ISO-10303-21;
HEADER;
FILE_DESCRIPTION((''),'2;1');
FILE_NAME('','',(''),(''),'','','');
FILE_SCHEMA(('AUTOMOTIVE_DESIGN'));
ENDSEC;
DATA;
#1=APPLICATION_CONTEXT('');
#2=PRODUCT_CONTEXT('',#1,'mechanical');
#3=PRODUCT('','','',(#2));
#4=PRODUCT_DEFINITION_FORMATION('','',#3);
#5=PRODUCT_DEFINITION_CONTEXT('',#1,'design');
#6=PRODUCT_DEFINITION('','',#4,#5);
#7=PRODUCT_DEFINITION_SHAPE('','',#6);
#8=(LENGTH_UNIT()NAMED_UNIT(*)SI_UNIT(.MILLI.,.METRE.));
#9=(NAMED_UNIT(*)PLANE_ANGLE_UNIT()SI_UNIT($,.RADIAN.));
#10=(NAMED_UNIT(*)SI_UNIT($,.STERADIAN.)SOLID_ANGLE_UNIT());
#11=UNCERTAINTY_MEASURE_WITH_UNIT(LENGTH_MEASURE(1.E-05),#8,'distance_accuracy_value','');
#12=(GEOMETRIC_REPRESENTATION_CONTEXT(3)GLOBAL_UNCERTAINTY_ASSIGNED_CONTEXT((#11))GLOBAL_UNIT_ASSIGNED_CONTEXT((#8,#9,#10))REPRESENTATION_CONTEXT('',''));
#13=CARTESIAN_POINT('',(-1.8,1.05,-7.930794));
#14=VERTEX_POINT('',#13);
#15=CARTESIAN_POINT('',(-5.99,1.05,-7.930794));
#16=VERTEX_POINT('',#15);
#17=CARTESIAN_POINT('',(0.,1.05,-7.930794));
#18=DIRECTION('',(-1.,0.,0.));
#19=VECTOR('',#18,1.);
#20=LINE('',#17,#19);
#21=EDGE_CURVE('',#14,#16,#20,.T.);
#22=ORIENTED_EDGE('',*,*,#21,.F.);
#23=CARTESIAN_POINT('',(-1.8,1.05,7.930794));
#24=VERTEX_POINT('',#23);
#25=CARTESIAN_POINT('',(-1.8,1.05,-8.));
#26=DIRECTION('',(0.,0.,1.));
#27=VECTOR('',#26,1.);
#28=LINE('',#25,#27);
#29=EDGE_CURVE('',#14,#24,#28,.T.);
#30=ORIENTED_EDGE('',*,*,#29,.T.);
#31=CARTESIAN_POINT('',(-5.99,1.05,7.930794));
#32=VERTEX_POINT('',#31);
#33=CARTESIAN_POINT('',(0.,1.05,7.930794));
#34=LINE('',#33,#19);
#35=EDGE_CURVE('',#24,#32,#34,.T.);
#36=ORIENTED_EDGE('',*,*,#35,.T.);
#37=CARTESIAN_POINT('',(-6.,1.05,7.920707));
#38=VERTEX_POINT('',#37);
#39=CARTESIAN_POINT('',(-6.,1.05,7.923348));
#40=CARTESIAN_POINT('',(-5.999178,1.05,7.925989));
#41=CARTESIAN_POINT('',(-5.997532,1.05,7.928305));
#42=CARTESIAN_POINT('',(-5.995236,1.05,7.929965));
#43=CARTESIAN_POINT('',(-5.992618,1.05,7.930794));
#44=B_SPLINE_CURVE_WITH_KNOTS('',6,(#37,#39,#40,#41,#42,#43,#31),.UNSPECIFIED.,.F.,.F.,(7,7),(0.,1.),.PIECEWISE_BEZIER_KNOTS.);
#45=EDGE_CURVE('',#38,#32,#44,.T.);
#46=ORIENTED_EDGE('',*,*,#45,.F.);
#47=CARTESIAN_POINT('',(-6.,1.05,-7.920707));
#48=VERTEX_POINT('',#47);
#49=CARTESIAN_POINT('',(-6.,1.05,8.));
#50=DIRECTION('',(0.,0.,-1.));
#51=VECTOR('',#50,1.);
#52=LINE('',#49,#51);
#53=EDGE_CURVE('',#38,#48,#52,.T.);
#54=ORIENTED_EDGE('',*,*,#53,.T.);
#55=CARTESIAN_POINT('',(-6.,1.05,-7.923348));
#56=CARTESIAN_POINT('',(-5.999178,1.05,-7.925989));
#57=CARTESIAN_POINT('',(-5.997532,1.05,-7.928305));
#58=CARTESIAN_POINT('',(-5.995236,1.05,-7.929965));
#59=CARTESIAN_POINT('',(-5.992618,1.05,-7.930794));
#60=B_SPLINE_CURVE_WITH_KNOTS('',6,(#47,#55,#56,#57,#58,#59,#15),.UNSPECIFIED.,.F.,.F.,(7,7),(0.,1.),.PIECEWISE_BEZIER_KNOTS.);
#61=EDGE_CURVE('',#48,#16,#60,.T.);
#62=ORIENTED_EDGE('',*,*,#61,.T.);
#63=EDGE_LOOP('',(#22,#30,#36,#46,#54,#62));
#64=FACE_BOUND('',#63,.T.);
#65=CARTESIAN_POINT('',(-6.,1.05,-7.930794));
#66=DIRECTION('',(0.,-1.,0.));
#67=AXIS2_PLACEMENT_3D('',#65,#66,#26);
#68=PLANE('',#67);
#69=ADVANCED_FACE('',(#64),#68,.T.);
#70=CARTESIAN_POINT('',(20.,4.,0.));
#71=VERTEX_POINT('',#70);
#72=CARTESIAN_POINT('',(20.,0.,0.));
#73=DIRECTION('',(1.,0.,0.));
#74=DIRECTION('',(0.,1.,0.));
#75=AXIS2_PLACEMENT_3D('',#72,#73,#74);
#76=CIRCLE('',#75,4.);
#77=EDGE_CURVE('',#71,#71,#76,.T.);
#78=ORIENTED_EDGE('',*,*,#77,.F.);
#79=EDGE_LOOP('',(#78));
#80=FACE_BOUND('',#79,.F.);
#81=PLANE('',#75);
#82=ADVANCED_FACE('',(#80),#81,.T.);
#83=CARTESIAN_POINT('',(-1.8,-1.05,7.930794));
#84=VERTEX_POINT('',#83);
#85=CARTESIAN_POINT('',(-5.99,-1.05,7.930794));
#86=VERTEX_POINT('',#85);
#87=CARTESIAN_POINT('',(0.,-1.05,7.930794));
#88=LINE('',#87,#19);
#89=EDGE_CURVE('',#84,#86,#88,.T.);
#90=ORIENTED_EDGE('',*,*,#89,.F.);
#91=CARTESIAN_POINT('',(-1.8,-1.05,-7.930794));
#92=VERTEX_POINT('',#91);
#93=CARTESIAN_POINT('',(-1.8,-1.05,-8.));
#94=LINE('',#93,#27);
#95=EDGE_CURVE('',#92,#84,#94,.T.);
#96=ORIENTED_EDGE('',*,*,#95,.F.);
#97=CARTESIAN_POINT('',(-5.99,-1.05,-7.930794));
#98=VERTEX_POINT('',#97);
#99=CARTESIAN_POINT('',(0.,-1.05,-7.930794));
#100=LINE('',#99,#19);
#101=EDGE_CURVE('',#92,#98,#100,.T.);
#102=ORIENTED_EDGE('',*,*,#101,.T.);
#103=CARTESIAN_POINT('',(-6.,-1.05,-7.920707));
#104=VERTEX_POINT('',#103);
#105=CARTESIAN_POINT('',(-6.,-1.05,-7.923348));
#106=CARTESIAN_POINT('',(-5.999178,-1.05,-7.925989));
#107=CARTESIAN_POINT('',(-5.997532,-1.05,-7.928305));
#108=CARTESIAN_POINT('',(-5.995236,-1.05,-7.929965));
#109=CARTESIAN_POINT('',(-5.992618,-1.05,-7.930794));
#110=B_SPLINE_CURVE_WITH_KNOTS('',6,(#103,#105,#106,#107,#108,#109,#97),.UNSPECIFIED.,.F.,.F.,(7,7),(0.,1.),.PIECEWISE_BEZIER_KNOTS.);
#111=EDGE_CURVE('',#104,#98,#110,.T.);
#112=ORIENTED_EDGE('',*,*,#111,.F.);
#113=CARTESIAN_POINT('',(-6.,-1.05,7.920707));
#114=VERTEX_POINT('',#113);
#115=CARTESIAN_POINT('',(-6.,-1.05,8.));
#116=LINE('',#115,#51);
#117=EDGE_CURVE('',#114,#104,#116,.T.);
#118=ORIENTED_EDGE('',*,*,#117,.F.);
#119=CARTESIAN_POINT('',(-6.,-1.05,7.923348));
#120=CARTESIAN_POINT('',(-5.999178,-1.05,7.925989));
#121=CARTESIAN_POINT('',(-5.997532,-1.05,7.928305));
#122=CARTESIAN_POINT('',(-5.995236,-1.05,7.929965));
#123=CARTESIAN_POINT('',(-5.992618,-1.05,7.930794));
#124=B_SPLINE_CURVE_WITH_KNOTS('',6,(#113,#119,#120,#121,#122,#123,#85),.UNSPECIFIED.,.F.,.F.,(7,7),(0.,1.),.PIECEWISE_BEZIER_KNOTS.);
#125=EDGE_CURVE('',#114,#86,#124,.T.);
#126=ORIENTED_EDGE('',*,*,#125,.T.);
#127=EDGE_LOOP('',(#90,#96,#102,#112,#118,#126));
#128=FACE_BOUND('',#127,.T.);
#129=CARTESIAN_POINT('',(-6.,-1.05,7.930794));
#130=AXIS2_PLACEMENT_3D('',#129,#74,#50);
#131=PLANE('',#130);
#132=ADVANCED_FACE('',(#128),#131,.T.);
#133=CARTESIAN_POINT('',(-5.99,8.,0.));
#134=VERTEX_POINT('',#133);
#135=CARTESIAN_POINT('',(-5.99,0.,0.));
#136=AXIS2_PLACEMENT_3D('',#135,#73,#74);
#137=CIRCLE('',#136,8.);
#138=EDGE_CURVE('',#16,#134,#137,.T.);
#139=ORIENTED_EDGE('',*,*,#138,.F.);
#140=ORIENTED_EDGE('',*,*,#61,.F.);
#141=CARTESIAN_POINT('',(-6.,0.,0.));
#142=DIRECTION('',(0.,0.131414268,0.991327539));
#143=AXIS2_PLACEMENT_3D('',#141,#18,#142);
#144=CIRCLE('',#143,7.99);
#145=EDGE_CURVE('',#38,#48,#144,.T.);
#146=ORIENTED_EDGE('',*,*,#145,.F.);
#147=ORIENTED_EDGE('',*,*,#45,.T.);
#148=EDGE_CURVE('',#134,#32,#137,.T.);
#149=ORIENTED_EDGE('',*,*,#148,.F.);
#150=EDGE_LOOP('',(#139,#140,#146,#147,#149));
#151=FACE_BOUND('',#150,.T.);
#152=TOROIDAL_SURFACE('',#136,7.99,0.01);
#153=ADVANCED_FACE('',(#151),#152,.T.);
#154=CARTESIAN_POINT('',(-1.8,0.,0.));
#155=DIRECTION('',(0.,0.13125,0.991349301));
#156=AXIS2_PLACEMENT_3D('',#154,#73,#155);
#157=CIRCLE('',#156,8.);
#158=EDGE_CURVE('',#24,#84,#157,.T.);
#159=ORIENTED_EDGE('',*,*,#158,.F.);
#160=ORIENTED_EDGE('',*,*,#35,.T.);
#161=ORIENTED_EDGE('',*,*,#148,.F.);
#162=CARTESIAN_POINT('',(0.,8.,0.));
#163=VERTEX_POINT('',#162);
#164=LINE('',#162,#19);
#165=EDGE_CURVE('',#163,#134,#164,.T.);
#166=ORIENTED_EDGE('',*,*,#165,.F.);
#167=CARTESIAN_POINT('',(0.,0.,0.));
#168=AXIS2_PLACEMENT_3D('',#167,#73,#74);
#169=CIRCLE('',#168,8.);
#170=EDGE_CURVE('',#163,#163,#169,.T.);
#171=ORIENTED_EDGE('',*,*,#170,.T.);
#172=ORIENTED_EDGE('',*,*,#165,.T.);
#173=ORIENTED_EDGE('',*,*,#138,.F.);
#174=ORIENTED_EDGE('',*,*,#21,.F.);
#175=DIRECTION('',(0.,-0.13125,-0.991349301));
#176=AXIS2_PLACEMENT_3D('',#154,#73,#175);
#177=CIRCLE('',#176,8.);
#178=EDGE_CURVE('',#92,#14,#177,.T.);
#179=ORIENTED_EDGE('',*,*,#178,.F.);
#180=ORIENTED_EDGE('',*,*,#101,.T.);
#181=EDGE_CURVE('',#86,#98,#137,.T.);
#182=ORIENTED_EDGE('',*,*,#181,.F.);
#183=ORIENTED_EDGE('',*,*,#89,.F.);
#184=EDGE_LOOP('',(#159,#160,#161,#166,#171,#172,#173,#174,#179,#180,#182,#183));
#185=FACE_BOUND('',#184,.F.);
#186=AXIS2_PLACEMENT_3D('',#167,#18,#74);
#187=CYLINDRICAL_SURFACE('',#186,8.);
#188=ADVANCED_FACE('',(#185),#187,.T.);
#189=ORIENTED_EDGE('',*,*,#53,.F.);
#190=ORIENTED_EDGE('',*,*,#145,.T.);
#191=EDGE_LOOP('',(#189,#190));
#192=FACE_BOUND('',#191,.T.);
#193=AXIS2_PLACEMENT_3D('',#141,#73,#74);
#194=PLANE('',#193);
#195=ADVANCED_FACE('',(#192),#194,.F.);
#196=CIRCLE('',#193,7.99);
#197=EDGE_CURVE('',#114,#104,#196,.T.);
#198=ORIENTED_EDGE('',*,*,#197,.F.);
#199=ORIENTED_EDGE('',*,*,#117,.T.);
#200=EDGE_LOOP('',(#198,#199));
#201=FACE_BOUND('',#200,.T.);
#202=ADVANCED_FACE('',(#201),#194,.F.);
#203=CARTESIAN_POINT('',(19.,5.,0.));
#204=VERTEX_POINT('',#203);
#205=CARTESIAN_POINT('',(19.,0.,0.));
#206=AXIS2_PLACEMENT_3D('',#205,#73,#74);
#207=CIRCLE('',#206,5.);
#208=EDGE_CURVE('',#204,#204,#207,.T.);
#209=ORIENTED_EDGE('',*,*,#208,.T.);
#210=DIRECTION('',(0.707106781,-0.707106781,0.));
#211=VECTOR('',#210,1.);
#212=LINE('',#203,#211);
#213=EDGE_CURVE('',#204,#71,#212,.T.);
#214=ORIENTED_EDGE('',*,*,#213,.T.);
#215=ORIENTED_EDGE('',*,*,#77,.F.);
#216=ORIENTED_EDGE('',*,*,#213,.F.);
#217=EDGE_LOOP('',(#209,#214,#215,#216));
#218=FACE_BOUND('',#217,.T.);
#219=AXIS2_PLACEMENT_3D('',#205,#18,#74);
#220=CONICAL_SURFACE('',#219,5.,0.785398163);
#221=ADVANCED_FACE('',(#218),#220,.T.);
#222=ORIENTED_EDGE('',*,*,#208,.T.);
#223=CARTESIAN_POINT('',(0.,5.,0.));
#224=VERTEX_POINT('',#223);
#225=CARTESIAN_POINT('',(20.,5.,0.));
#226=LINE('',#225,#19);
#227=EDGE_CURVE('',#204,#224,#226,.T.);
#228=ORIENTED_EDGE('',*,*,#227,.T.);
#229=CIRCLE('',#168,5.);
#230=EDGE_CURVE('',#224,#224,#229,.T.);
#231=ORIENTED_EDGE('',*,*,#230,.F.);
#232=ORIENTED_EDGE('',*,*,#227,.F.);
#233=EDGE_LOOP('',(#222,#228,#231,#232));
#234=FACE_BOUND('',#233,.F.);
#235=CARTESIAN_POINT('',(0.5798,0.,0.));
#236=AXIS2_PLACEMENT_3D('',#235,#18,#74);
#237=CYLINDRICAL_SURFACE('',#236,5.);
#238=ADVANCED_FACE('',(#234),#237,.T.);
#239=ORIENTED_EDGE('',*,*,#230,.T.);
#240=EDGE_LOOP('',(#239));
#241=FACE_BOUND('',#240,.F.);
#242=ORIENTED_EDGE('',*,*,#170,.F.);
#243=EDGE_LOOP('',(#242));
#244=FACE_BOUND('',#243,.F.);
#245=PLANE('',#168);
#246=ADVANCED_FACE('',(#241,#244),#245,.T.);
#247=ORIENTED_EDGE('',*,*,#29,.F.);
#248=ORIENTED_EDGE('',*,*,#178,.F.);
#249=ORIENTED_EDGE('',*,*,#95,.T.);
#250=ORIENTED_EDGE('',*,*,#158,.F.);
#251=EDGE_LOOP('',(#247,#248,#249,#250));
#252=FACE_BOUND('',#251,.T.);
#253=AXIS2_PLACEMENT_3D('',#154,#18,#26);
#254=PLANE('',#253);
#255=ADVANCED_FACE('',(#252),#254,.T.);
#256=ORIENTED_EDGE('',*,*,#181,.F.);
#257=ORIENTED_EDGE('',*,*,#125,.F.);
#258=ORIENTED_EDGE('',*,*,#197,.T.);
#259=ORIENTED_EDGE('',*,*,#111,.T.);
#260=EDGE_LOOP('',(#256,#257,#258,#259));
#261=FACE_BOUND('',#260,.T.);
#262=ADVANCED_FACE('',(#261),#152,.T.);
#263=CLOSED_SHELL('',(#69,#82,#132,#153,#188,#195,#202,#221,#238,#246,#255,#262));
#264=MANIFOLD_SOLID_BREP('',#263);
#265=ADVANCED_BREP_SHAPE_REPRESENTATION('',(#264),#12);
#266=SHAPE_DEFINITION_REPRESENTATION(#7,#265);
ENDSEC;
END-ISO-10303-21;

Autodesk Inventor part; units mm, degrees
ref_plane "YZ Plane" through (0, 0, 0) normal (1, 0, 0) x (0, 1, 0)
ref_plane "XZ Plane" through (0, 0, 0) normal (0, 1, 0) x (-1, 0, 0)
sketch "Эскиз1" plane through (0, 0, 0) normal (0, 0, 1) x (1, 0, 0)
  line L0 (-6, 0) -> (20, 0)
  line L1 (20, 0) -> (20, 5)
  line L2 (20, 5) -> (1.5, 5)
  line L3 (1.5, 5) -> (0.5798, 5)
  line L4 (0.5798, 5) -> (0, 5)
  line L5 (0, 5) -> (0, 8)
  line L6 (-11.2, 0) -> (25.2, 0) projected
  line L7 (0, -1.6) -> (0, 9.6) projected
  line L8 (-6, 0) -> (-6, 8)
  line L9 (0, 8) -> (-6, 8)
  dimension "d0" = 20
  dimension "d1" = 18.5
  dimension "d2" = 0.9202
  dimension "d3" = 6
  dimension "d4" = 10
  dimension "d5" = 10
  dimension "d9" = 16
  dimension "d10" = 0
revolve "Базовый элемент" add sketch "Эскиз1" angle 360 about axis through (-6, 0, 0) along (1, 0, 0)
sketch "Эскиз2" plane through (-6, 0, 0) normal (-1, 0, 0) x (0, 0, 1)
  circle A0 centre (0, 0) radius 8 projected
  line L0 (0, 0) -> (0, 8) projected
  line L1 (-8, 1.05) -> (8, 1.05)
  line L2 (8, 1.05) -> (8, -1.05)
  line L3 (8, -1.05) -> (-8, -1.05)
  line L4 (-8, -1.05) -> (-8, 1.05)
  line L5 (-8, 0) -> (8, 0) construction
  line L6 (0, 1.05) -> (0, -1.05) construction
  dimension "d11" = 2.1
  dimension "d12" = 16
fillet "Сопряжение1" radius 0.01 1 edges at (-6, -8, 0)
extrude "Паз" cut sketch "Эскиз2" against normal blind 4.2 contours A0 L3 L1 | L2 L3 A0 | A0 L1 L2 | L3 L4 A0 | A0 L4 L1
thread "Резьба" size "M10x1.5" class "6g" standard "ISO Metric profile" length 18.5
chamfer "Chamfer4" distance 1 angle 45 1 edges at (20, -5, 0)
ref_plane "Work Plane1" through (30.1625, 0, 0) normal (0, 0, -1) x (1, 0, 0)
equation "\"d11\" = SBR"
equation "\"d12\" = KOD"
equation "\"d13\" = RR"
equation "\"d16\" = STI"
equation "\"d14\" = GEL"
equation "\"d40\" = 0.1 * GD"
equation "\"d0\" = NLG"
equation "\"d1\" = GEL"
equation "\"d2\" = GAL"
equation "\"d3\" = KOH"
equation "\"d4\" = GD"
equation "\"d5\" = BDM"
equation "\"d9\" = KOD"
equation "\"GD\" = NND"
equation "\"NLG\" = 20"
equation "\"GEL\" = 18.5"
equation "\"KOD\" = 16"
equation "\"KOH\" = 6"
equation "\"GAL\" = 0.61345 * PTC"
equation "\"BDM\" = NND"
equation "\"RR\" = 0.01"
equation "\"SBR\" = 2.1"
equation "\"STI\" = 4.2"
equation "\"KEWI\" = 0"
equation "\"GUL\" = 0.61345 * PTC"
equation "\"SPD\" = NND - 1.2269 * PTC"
equation "\"PTC\" = 1.5"
equation "\"TOA\" = 30deg"
equation "\"FAWI\" = 45deg"
equation "\"GD1\" = THREADDIA - 1.2269 * PTC"
equation "\"NND\" = 10"
equation "\"THREADDIA\" = 10"
properties part number "Винт M10-6gx20 ГОСТ 1491-80" material "Сталь, мягкая"
